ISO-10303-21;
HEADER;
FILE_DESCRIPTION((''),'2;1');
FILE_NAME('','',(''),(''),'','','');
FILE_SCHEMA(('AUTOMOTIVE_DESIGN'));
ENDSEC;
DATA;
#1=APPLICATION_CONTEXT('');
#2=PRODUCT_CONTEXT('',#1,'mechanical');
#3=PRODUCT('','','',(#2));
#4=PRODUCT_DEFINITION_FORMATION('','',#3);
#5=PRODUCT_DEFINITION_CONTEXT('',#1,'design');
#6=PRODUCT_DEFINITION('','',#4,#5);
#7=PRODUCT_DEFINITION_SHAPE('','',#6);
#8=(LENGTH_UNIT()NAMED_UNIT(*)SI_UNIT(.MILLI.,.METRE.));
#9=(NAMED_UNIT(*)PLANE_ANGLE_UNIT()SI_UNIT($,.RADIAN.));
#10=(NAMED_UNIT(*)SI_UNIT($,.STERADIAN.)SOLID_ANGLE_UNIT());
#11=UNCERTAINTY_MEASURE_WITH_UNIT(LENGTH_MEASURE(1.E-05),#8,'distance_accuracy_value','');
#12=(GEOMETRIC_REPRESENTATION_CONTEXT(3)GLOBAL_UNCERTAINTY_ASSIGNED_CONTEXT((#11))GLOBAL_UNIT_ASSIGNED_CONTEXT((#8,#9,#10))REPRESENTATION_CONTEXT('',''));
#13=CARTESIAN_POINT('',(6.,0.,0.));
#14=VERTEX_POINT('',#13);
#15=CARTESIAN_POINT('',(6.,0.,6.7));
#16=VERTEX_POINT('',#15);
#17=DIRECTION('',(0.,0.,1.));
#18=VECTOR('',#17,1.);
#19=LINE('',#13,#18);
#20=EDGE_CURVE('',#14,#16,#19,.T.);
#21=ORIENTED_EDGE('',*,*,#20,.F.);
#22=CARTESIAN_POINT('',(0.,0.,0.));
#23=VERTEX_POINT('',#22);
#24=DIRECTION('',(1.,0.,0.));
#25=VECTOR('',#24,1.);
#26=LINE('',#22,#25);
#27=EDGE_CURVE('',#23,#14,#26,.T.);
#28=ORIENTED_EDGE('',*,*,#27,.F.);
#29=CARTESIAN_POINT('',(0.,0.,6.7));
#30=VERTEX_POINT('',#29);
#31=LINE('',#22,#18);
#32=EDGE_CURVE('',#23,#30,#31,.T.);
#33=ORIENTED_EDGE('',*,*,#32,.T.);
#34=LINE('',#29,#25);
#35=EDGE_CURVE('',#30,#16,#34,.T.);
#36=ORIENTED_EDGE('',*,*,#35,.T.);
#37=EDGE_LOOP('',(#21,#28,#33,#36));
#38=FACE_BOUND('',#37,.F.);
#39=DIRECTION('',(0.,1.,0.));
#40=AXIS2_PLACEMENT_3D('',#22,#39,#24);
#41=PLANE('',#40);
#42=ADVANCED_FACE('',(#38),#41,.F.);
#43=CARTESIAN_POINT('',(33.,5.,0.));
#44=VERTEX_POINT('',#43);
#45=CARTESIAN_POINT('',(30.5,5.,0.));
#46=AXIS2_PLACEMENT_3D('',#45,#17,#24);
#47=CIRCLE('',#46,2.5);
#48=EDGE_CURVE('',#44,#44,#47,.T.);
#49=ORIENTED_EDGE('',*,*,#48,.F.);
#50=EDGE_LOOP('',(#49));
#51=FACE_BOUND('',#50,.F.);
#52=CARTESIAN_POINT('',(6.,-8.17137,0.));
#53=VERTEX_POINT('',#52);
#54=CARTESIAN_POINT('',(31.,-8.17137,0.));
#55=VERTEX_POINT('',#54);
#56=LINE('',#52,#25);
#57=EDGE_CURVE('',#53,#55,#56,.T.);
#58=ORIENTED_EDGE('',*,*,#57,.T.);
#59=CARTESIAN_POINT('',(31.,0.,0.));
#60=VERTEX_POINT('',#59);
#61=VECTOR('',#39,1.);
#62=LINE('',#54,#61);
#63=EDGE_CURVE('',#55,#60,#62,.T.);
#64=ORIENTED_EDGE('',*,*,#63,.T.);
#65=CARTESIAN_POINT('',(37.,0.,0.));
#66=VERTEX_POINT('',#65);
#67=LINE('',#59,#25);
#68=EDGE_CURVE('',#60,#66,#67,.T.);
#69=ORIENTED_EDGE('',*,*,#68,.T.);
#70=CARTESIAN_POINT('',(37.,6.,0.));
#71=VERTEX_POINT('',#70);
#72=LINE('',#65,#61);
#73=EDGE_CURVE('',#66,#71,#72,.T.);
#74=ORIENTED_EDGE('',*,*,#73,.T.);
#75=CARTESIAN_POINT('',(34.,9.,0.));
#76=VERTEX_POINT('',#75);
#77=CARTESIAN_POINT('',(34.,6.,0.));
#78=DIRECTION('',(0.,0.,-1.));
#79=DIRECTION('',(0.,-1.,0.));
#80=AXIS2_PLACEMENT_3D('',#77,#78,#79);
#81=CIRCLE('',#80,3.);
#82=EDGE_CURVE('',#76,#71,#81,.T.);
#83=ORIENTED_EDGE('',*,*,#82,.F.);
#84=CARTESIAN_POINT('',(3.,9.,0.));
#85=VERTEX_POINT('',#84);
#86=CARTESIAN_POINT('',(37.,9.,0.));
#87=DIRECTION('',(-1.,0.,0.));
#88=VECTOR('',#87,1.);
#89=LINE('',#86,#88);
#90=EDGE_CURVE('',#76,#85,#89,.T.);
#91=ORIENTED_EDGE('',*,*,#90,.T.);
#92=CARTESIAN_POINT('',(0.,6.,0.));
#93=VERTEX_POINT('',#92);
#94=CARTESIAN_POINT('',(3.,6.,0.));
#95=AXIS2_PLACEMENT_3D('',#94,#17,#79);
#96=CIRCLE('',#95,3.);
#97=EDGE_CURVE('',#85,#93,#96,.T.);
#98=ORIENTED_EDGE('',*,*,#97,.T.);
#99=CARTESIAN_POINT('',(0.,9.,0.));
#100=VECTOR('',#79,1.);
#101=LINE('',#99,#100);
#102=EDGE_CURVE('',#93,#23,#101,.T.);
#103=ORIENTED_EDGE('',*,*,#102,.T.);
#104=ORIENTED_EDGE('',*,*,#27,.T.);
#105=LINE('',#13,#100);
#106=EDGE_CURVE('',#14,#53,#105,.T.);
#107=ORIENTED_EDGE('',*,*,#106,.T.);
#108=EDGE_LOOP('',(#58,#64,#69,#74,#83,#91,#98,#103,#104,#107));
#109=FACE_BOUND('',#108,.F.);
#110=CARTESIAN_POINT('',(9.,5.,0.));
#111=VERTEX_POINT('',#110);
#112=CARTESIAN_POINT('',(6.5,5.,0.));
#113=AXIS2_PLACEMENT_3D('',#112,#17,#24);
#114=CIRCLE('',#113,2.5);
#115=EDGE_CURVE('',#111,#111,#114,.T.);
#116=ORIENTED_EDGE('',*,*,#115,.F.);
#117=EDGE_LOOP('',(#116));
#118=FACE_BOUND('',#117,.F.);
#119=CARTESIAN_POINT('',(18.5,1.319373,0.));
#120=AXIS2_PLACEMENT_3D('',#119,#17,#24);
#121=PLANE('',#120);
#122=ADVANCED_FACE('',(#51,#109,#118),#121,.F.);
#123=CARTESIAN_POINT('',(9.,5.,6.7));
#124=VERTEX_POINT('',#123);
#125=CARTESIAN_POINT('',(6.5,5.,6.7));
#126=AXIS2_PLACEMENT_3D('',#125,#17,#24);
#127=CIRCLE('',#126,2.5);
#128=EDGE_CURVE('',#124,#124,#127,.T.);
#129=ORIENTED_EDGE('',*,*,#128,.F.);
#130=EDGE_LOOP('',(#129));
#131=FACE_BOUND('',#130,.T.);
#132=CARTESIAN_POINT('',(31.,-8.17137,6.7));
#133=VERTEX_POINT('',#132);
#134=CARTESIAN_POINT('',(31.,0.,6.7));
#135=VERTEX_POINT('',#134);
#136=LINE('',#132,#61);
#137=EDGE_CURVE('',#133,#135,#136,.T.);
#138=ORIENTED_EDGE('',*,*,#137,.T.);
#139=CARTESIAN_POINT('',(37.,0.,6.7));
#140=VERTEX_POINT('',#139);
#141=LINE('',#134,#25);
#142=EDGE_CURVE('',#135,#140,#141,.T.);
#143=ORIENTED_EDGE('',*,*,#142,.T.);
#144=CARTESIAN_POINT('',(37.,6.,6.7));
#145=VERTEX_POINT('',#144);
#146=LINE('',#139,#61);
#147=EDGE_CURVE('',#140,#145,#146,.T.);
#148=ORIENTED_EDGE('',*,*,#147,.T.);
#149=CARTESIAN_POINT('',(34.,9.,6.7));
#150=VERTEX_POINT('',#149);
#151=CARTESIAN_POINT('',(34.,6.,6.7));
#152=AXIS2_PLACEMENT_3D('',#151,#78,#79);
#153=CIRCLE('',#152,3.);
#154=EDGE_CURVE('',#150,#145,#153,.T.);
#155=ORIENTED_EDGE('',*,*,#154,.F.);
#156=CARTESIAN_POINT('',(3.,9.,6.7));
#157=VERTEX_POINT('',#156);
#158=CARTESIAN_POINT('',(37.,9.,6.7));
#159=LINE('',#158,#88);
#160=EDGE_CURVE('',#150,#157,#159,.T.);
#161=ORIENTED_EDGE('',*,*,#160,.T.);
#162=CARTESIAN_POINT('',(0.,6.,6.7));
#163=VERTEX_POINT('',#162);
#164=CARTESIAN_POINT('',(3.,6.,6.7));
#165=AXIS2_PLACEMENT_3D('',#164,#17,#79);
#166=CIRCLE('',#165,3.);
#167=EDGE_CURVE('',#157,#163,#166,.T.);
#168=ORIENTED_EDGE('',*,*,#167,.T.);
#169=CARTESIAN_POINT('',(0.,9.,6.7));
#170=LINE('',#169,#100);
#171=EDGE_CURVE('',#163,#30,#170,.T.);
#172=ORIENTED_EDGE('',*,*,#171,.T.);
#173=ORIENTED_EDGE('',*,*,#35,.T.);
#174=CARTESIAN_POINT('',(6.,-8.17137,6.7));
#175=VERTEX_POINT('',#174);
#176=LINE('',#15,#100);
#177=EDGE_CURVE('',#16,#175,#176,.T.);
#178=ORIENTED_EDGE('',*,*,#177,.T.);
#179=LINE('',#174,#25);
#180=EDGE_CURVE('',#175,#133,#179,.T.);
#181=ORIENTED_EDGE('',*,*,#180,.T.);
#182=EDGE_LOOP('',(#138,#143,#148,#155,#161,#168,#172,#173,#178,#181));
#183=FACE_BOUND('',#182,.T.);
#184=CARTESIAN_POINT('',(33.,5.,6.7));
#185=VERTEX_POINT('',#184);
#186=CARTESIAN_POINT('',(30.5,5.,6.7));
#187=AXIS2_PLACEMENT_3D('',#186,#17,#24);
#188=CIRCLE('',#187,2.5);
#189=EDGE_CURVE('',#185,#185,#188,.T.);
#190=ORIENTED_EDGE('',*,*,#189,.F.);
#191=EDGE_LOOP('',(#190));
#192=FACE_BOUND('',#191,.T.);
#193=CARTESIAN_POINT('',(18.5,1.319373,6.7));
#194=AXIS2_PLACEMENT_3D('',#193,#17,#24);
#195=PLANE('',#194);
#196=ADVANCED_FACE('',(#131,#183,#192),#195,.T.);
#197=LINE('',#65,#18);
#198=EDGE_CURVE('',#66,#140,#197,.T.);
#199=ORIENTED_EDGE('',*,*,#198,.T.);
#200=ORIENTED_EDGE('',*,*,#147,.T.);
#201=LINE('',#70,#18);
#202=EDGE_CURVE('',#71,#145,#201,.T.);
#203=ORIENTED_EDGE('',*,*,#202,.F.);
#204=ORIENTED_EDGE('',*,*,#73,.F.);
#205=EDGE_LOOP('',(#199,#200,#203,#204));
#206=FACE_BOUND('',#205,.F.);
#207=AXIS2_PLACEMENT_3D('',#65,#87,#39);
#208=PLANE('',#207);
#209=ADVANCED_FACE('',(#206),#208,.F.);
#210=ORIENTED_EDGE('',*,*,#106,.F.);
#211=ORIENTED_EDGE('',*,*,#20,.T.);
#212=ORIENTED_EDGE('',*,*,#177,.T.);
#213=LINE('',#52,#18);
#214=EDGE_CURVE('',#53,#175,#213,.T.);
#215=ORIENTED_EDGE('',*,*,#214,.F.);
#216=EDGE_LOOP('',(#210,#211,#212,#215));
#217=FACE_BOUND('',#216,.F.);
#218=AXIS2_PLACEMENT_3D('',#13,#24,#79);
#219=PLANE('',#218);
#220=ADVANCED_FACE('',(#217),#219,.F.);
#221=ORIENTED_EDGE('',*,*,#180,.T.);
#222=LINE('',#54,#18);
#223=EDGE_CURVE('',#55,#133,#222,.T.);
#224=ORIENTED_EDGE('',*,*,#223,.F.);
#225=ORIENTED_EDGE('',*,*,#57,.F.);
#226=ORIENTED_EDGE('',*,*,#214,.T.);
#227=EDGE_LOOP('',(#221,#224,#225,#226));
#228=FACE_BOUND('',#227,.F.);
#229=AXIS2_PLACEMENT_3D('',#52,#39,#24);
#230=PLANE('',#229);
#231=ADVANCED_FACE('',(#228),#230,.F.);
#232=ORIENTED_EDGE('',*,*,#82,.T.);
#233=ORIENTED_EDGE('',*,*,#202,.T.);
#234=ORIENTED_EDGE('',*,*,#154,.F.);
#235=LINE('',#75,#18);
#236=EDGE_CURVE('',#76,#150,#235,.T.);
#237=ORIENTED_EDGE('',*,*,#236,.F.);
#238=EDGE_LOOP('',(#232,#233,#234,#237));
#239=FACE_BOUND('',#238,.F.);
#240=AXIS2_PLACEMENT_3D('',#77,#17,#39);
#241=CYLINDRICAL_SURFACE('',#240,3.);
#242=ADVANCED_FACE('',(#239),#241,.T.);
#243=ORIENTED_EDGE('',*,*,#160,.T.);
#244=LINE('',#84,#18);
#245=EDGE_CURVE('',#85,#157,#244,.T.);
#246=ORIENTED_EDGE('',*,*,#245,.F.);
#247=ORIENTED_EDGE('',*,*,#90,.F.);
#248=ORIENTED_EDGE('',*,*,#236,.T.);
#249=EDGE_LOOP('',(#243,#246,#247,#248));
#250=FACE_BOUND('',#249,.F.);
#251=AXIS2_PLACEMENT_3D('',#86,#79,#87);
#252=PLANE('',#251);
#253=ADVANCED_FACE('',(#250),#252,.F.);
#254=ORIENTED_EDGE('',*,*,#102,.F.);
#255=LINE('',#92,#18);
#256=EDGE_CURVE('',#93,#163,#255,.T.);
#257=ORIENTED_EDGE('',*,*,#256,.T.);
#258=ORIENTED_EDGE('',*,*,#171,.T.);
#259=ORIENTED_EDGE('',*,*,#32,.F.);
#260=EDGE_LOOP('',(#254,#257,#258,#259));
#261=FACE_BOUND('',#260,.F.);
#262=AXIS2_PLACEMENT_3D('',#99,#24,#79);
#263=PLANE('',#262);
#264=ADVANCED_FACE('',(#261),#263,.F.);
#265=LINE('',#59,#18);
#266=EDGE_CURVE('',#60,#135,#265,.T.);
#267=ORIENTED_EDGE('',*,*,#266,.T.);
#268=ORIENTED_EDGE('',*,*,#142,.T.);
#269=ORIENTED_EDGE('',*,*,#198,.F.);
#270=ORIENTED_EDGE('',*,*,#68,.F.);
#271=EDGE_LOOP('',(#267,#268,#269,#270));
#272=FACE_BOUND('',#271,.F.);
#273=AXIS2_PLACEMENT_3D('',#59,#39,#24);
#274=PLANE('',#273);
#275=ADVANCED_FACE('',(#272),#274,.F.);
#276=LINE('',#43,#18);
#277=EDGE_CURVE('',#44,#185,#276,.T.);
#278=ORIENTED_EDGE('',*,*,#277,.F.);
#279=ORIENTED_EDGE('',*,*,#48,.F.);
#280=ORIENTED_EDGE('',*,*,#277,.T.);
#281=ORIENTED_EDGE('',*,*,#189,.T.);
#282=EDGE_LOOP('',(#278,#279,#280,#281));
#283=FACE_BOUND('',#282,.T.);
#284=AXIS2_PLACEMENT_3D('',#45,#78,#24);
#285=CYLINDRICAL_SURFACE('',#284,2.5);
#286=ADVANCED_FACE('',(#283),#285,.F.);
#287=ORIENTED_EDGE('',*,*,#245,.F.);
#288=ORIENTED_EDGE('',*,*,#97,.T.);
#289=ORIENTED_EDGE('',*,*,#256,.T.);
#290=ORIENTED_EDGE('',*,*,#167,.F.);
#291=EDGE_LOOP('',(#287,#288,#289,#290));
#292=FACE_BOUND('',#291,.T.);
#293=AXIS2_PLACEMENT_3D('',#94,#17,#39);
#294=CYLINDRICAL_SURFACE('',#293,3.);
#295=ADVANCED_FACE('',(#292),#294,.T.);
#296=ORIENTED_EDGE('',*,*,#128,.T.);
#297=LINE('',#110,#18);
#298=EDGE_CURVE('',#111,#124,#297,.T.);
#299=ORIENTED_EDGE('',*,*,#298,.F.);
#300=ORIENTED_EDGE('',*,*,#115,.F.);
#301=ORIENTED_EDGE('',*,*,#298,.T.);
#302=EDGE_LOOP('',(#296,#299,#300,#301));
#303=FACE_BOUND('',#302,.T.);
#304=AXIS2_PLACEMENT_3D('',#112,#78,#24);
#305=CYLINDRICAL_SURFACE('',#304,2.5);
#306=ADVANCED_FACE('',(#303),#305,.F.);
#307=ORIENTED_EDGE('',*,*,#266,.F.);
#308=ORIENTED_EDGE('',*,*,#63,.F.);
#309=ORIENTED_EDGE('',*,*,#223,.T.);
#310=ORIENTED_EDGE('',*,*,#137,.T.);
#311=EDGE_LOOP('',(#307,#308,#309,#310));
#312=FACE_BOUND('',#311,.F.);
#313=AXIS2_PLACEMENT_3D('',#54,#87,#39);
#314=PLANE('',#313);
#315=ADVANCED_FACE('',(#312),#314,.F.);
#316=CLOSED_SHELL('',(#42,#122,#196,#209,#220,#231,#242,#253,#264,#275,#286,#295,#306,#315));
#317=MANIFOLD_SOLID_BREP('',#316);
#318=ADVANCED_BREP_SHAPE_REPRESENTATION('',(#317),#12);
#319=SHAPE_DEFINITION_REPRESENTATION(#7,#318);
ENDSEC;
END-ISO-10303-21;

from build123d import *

# Parameters (mm, degrees)
SKETCH_R    = 2.5
PAD_DEPTH   = 6.7
FILLET_R    = 3
FILLET001_R = 3


with BuildPart() as part:
    # Sketch → Pad (new body)
    with BuildSketch(Plane.XY):
        Polygon((0, 0), (6, 0), (6, -8.17137), (31, -8.17137), (31, 0), (37, 0), (37, 9), (0, 9), align=None)
        with Locations((6.5, 5)):
            Circle(SKETCH_R, mode=Mode.SUBTRACT)
        with Locations((30.5, 5)):
            Circle(SKETCH_R, mode=Mode.SUBTRACT)
    extrude(amount=PAD_DEPTH)

    # Fillet
    fillet_edges = [part.edges().sort_by_distance(p)[0] for p in [
        (37, 9, 3.35),
    ]]
    fillet(fillet_edges, radius=FILLET_R)

    # Fillet001
    fillet001_edges = [part.edges().sort_by_distance(p)[0] for p in [
        (0, 9, 3.35),
    ]]
    fillet(fillet001_edges, radius=FILLET001_R)


solid = part.part
